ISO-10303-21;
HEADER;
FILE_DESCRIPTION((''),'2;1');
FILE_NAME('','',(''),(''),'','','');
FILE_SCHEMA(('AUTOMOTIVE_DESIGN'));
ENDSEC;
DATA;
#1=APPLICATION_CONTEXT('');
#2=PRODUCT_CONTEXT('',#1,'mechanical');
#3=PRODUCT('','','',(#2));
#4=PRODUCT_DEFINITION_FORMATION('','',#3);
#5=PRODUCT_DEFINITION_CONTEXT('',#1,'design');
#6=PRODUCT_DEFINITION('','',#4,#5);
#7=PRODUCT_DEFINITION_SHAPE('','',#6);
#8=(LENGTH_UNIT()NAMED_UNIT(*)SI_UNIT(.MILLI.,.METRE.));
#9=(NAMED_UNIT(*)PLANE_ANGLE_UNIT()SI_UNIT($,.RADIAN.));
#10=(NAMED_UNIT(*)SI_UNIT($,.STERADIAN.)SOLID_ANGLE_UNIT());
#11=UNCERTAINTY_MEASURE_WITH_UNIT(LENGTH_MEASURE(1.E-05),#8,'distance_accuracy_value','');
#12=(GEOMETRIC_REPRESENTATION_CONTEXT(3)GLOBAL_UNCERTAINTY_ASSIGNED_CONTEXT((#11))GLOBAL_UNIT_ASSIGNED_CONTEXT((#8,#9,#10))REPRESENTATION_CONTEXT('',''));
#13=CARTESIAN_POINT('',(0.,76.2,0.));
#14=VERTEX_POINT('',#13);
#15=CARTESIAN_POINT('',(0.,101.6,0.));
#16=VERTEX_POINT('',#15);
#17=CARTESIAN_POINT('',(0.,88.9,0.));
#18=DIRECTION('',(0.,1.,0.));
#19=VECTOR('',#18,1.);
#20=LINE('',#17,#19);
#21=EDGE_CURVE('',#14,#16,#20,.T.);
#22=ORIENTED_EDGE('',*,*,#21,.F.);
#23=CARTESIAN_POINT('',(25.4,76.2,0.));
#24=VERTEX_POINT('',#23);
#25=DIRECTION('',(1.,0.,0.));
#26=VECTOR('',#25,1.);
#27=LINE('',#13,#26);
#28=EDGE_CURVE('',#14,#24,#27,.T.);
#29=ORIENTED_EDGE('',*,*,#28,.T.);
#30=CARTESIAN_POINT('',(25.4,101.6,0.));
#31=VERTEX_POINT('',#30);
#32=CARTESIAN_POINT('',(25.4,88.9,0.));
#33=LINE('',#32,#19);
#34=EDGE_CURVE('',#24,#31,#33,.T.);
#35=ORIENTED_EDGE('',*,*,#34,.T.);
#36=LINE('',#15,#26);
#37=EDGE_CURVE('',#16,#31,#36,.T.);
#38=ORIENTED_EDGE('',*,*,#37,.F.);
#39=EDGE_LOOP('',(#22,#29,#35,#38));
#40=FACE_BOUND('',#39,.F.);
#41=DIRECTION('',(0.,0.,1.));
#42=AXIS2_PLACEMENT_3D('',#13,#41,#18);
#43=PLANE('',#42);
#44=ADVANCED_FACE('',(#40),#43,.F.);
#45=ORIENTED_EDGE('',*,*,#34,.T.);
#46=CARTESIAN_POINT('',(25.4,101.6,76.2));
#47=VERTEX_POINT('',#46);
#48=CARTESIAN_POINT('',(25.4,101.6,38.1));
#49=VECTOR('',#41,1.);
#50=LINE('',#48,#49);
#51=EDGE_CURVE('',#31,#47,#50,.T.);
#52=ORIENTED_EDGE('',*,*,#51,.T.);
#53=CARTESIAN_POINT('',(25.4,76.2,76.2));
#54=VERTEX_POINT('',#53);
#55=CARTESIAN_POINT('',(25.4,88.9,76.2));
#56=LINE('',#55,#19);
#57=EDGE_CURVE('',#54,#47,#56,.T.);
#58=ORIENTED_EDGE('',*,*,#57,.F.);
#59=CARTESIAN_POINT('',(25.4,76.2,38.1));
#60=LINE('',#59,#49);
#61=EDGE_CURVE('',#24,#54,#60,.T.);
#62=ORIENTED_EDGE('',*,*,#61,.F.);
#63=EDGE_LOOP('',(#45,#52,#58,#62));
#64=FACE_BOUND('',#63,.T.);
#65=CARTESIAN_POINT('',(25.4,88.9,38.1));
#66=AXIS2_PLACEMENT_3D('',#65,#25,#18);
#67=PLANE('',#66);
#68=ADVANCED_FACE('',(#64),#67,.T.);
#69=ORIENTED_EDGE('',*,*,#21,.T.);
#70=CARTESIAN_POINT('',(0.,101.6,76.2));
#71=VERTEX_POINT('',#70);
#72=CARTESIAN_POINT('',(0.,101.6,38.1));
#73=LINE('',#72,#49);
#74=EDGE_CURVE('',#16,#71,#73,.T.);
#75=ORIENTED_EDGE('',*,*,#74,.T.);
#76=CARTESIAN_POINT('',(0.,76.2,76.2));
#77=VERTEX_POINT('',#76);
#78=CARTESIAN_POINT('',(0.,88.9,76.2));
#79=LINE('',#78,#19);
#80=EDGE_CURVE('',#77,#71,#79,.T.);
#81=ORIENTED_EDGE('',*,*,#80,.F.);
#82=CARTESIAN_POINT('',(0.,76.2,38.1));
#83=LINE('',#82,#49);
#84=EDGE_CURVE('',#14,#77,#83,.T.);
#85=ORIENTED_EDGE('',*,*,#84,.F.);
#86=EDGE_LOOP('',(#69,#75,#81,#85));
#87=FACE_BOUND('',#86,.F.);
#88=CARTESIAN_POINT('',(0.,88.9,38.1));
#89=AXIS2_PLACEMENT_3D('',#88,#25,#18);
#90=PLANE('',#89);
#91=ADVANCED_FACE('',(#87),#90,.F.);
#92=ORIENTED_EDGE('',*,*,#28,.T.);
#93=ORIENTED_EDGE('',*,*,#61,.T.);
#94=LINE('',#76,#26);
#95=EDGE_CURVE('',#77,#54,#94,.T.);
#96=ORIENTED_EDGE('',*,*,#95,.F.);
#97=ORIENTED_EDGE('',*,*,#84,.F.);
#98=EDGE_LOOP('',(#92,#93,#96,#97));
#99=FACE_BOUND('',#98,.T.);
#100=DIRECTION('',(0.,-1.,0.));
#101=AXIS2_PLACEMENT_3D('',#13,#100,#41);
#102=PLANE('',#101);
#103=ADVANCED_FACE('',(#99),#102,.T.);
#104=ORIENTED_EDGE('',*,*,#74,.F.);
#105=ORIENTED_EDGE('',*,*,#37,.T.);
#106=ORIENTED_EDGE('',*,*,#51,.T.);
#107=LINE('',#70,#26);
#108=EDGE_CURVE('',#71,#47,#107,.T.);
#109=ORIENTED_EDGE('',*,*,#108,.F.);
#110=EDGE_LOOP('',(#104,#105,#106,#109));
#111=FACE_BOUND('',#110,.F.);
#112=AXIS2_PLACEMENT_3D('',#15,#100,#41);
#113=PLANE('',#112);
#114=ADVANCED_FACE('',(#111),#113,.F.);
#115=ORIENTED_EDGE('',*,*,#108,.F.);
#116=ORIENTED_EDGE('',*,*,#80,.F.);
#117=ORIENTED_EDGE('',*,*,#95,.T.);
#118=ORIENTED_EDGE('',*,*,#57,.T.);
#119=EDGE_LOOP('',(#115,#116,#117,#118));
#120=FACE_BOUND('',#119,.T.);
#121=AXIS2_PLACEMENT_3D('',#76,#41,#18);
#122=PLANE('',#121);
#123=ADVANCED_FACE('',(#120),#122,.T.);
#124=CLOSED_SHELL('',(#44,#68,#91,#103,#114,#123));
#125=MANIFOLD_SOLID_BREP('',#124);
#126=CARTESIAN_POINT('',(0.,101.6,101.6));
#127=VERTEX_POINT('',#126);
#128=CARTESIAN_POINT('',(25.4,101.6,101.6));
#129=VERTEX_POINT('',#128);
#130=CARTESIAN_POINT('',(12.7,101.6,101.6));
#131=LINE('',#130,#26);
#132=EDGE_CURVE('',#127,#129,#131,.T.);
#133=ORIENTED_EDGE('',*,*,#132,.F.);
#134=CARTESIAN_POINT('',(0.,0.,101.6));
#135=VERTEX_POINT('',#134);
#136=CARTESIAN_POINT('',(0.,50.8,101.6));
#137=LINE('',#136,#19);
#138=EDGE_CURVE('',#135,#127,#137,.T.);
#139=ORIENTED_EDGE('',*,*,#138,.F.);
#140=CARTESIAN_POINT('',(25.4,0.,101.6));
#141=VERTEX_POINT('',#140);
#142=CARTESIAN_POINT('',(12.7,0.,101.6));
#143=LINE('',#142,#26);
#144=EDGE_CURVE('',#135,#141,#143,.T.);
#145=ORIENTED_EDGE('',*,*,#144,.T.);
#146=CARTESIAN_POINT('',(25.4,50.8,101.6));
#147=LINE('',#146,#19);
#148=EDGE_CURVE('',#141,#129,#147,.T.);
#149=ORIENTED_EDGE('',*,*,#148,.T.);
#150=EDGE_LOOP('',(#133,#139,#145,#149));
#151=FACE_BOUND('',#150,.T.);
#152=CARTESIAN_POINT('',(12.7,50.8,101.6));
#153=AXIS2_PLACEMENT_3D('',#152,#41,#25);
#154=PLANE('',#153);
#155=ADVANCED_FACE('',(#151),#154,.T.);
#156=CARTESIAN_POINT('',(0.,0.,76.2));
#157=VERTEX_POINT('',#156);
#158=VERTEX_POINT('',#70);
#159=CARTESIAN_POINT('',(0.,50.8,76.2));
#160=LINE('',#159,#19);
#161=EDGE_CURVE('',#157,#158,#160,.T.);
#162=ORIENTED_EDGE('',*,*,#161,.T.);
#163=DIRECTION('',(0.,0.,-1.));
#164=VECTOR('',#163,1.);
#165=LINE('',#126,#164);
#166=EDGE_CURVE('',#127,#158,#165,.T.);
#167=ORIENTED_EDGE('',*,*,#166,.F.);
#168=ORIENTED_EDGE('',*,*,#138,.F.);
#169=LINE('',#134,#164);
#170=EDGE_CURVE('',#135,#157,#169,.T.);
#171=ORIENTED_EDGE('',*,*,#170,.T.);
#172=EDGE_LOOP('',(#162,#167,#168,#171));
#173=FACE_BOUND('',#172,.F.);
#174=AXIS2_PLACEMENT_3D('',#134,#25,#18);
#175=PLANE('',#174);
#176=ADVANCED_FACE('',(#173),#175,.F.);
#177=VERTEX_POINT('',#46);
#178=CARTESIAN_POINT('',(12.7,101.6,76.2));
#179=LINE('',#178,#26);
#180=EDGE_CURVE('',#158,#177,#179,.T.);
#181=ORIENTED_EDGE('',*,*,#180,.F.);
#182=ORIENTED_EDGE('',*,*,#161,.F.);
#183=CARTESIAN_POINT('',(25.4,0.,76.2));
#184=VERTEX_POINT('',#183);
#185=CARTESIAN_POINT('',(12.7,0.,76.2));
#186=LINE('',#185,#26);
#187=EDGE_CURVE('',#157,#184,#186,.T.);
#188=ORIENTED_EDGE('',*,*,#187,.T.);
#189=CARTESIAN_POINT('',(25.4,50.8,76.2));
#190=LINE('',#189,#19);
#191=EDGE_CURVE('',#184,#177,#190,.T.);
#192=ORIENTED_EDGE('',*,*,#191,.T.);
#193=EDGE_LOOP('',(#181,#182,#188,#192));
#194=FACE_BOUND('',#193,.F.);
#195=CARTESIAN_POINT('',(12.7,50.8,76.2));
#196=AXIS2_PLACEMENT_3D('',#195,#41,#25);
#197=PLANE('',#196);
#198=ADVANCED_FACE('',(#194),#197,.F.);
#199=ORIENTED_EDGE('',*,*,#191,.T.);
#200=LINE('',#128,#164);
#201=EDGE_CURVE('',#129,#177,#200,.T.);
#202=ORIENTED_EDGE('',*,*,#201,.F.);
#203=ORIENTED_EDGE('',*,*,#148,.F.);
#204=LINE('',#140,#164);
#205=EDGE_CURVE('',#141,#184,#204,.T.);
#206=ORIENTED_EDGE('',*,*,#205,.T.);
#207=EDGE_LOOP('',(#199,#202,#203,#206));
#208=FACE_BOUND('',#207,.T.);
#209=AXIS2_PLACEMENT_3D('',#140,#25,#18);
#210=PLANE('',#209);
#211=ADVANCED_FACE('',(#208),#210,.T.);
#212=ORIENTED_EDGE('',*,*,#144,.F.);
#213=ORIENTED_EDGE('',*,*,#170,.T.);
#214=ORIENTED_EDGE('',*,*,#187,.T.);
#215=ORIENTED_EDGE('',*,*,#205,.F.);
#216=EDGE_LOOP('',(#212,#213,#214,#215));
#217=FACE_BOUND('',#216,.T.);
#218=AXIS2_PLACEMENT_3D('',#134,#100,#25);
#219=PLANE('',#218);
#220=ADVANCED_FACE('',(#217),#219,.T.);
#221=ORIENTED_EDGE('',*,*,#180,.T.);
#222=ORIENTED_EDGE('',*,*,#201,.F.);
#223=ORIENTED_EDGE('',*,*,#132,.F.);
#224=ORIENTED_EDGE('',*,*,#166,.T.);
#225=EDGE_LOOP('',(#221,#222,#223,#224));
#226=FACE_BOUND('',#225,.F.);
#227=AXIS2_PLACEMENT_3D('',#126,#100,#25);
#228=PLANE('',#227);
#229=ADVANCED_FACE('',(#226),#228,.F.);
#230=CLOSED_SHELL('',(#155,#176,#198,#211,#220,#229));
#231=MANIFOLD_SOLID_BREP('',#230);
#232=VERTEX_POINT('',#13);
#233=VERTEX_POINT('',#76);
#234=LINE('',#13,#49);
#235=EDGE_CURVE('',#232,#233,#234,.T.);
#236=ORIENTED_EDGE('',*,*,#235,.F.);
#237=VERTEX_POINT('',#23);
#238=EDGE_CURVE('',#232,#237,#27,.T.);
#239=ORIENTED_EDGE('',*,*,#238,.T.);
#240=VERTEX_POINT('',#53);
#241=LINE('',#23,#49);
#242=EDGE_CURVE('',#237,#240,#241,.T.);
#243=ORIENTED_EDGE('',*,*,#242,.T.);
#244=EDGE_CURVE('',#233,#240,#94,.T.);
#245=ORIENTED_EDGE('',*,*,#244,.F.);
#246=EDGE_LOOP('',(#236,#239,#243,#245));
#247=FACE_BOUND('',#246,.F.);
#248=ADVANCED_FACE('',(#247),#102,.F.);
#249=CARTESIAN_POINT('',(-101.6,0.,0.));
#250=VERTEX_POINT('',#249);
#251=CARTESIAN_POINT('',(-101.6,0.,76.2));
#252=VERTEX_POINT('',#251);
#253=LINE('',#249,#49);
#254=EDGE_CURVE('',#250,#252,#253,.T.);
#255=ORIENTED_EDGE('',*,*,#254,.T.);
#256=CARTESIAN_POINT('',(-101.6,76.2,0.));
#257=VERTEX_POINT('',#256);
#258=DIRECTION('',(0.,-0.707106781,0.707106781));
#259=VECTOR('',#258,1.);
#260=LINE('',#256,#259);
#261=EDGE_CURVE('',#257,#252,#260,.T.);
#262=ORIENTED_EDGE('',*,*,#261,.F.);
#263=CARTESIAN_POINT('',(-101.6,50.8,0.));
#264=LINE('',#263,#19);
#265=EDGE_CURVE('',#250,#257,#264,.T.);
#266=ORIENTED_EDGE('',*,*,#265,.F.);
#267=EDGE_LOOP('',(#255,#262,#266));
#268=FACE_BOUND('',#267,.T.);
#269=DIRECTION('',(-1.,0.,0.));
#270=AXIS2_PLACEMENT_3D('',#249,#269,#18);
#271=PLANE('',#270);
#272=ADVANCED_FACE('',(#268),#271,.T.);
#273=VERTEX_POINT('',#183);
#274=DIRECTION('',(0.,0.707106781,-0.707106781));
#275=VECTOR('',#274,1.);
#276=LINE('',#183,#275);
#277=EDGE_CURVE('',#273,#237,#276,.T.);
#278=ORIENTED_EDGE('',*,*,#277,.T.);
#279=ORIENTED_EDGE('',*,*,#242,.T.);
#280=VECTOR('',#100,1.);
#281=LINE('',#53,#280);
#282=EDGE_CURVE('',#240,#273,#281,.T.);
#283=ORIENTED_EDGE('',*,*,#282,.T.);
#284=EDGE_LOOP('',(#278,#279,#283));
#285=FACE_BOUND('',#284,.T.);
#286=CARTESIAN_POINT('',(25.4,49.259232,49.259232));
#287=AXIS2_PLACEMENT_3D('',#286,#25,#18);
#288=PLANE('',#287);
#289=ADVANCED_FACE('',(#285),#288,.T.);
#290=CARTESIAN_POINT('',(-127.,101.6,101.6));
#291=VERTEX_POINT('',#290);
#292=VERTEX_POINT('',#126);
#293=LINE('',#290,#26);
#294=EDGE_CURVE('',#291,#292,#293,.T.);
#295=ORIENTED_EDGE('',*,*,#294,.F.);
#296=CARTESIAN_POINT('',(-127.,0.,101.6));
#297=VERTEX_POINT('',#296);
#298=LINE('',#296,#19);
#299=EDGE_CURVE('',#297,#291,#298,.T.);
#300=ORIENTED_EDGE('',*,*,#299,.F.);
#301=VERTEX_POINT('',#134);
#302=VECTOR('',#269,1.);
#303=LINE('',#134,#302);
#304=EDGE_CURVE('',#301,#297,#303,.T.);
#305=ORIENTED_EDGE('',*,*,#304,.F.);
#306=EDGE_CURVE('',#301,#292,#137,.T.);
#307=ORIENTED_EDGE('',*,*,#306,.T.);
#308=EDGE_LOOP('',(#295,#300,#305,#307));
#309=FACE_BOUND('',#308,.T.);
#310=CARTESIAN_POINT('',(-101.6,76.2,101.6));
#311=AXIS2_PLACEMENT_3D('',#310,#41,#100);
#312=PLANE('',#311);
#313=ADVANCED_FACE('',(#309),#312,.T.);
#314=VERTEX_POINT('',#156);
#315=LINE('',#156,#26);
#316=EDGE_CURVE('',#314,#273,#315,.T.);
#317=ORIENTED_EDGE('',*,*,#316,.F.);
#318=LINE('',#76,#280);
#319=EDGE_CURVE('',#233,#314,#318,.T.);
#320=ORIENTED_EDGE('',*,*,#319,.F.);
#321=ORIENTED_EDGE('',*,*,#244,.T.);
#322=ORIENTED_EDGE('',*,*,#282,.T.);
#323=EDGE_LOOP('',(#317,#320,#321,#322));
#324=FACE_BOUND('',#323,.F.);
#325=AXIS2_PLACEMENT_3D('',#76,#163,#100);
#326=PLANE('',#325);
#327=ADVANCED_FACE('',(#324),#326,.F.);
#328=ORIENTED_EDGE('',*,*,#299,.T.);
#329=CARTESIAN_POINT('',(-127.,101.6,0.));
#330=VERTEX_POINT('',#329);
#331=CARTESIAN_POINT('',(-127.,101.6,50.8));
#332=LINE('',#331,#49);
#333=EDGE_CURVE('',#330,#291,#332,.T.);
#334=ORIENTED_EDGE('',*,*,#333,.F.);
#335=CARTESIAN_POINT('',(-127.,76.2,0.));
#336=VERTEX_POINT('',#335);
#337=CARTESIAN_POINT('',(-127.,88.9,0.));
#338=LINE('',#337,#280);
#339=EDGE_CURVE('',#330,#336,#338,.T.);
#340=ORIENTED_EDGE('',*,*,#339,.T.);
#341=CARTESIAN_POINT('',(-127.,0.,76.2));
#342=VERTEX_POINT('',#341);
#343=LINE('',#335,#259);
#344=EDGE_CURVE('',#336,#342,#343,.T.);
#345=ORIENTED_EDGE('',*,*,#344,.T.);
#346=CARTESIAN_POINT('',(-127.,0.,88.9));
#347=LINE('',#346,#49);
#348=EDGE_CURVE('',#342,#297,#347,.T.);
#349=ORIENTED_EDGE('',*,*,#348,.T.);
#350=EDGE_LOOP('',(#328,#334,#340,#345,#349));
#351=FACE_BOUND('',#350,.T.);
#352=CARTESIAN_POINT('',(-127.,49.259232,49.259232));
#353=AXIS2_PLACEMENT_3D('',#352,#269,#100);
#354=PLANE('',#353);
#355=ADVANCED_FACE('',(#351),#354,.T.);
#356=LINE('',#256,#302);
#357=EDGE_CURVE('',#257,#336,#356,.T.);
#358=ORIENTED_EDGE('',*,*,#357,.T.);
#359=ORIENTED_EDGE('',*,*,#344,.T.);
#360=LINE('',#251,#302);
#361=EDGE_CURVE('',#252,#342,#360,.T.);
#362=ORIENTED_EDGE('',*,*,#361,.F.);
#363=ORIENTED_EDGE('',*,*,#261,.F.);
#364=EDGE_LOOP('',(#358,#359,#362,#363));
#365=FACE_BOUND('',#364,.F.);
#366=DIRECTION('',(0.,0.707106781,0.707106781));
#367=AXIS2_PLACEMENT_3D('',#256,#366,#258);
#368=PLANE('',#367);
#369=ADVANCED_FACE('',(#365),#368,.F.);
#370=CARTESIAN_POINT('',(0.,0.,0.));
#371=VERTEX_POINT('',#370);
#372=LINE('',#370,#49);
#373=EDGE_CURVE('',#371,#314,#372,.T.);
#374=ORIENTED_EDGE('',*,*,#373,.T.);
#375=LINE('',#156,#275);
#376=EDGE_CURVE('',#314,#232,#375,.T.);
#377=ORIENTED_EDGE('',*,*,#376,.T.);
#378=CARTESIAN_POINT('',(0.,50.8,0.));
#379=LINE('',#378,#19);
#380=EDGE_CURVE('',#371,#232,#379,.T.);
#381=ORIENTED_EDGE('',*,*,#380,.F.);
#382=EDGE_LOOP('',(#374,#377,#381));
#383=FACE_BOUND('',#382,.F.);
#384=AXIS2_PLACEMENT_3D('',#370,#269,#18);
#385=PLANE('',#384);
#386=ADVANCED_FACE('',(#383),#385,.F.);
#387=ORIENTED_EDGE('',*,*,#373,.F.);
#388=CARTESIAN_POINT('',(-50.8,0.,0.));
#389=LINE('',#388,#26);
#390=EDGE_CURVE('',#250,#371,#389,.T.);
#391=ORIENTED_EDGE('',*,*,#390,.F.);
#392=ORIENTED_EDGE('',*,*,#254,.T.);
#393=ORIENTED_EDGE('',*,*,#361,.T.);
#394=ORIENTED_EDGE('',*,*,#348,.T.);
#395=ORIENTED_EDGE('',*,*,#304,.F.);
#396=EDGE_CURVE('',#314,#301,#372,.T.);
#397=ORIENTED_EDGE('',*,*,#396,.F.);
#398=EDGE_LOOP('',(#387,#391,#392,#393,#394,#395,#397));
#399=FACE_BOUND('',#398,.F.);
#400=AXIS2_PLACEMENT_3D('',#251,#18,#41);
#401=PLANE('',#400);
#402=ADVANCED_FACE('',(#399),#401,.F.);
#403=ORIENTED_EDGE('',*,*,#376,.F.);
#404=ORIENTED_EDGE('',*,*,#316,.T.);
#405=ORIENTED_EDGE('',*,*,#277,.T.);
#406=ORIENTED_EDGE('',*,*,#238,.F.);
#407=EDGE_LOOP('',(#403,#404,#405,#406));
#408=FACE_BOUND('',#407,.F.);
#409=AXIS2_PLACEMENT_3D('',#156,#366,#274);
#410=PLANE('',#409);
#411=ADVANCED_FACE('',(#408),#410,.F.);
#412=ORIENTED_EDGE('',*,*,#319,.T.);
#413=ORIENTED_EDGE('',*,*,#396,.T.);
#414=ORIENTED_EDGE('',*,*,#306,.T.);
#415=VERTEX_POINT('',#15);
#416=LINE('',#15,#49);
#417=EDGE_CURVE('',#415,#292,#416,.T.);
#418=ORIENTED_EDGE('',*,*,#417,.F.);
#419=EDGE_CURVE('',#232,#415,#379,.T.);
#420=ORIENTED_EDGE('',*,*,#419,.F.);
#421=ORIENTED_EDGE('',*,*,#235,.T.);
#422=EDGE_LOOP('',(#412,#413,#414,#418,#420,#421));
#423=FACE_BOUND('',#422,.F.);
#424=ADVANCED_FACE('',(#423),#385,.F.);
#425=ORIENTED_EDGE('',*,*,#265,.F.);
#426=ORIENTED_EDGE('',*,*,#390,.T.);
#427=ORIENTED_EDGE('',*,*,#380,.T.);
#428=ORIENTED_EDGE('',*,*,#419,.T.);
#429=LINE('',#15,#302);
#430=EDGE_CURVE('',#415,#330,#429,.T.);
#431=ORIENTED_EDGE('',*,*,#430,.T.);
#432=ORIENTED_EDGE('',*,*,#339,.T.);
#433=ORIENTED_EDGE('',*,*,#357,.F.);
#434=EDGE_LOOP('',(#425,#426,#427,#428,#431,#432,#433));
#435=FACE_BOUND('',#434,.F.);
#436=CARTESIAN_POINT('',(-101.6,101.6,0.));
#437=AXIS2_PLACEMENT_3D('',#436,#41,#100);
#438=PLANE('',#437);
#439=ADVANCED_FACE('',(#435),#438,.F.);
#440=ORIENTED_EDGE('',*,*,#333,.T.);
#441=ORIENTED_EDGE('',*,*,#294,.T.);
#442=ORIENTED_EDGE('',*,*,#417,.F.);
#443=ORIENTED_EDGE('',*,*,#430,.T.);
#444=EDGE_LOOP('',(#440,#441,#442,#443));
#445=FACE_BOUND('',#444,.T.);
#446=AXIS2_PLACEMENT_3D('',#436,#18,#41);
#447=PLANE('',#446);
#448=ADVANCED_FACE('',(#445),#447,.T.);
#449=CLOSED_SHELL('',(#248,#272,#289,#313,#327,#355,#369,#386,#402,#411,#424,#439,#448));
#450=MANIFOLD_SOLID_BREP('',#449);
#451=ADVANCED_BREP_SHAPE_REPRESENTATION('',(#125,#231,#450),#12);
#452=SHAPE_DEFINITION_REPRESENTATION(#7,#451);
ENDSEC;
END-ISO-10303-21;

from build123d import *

# Parameters (mm, degrees)
F0_W      = 101.6
F0_H      = 101.6
F1_DEPTH  = 101.6
F2_W      = 25.4
F2_H      = 101.6
F3_DEPTH  = 25.4
F4_W      = 25.4
F4_H      = 76.2
F5_DEPTH  = 25.4
F7_DEPTH  = 25.4
F8_W      = 25.4
F8_H      = 101.6
F9_DEPTH  = 25.4
F10_W     = 76.2
F10_H     = 25.4
F11_DEPTH = 25.4
F13_DEPTH = 25.4


with BuildPart() as f1:
    # F0 (on Top) → F1 (new body)
    with BuildSketch(Plane.XY):
        with Locations((-50.8, 50.8)):
            Rectangle(F0_W, F0_H)
    extrude(amount=F1_DEPTH)

    # F6 (on face) → F7 (join)
    with BuildSketch(Plane.YZ):
        Polygon((0, 76.2), (76.2, 0), (76.2, 76.2), align=None)
    extrude(amount=F7_DEPTH)

    # F8 (on face) → F9 (join)
    with BuildSketch(Plane(origin=(-101.6, 0, 0), x_dir=(0, -1, 0), z_dir=(-1, 0, 0))):
        with Locations((-88.9, 50.8)):
            Rectangle(F8_W, F8_H)
    extrude(amount=F9_DEPTH)

    # F10 (on face) → F11 (join)
    with BuildSketch(Plane(origin=(-101.6, 0, 0), x_dir=(0, -1, 0), z_dir=(-1, 0, 0))):
        with Locations((-38.1, 88.9)):
            Rectangle(F10_W, F10_H)
    extrude(amount=F11_DEPTH)

    # F12 (on face) → F13 (join)
    with BuildSketch(Plane(origin=(-101.6, 0, 0), x_dir=(0, -1, 0), z_dir=(-1, 0, 0))):
        Polygon((0, 76.2), (-76.2, 76.2), (-76.2, 0), align=None)
    extrude(amount=F13_DEPTH)


with BuildPart() as f3:
    # F2 (on face) → F3 (new body)
    with BuildSketch(Plane.XY.offset(101.6)):
        with Locations((12.7, 50.8)):
            Rectangle(F2_W, F2_H)
    extrude(amount=-F3_DEPTH)


with BuildPart() as f5:
    # F4 (on face) → F5 (new body)
    with BuildSketch(Plane.YZ):
        with Locations((88.9, 38.1)):
            Rectangle(F4_W, F4_H)
    extrude(amount=F5_DEPTH)


solid = Compound([f1.part, f3.part, f5.part])
